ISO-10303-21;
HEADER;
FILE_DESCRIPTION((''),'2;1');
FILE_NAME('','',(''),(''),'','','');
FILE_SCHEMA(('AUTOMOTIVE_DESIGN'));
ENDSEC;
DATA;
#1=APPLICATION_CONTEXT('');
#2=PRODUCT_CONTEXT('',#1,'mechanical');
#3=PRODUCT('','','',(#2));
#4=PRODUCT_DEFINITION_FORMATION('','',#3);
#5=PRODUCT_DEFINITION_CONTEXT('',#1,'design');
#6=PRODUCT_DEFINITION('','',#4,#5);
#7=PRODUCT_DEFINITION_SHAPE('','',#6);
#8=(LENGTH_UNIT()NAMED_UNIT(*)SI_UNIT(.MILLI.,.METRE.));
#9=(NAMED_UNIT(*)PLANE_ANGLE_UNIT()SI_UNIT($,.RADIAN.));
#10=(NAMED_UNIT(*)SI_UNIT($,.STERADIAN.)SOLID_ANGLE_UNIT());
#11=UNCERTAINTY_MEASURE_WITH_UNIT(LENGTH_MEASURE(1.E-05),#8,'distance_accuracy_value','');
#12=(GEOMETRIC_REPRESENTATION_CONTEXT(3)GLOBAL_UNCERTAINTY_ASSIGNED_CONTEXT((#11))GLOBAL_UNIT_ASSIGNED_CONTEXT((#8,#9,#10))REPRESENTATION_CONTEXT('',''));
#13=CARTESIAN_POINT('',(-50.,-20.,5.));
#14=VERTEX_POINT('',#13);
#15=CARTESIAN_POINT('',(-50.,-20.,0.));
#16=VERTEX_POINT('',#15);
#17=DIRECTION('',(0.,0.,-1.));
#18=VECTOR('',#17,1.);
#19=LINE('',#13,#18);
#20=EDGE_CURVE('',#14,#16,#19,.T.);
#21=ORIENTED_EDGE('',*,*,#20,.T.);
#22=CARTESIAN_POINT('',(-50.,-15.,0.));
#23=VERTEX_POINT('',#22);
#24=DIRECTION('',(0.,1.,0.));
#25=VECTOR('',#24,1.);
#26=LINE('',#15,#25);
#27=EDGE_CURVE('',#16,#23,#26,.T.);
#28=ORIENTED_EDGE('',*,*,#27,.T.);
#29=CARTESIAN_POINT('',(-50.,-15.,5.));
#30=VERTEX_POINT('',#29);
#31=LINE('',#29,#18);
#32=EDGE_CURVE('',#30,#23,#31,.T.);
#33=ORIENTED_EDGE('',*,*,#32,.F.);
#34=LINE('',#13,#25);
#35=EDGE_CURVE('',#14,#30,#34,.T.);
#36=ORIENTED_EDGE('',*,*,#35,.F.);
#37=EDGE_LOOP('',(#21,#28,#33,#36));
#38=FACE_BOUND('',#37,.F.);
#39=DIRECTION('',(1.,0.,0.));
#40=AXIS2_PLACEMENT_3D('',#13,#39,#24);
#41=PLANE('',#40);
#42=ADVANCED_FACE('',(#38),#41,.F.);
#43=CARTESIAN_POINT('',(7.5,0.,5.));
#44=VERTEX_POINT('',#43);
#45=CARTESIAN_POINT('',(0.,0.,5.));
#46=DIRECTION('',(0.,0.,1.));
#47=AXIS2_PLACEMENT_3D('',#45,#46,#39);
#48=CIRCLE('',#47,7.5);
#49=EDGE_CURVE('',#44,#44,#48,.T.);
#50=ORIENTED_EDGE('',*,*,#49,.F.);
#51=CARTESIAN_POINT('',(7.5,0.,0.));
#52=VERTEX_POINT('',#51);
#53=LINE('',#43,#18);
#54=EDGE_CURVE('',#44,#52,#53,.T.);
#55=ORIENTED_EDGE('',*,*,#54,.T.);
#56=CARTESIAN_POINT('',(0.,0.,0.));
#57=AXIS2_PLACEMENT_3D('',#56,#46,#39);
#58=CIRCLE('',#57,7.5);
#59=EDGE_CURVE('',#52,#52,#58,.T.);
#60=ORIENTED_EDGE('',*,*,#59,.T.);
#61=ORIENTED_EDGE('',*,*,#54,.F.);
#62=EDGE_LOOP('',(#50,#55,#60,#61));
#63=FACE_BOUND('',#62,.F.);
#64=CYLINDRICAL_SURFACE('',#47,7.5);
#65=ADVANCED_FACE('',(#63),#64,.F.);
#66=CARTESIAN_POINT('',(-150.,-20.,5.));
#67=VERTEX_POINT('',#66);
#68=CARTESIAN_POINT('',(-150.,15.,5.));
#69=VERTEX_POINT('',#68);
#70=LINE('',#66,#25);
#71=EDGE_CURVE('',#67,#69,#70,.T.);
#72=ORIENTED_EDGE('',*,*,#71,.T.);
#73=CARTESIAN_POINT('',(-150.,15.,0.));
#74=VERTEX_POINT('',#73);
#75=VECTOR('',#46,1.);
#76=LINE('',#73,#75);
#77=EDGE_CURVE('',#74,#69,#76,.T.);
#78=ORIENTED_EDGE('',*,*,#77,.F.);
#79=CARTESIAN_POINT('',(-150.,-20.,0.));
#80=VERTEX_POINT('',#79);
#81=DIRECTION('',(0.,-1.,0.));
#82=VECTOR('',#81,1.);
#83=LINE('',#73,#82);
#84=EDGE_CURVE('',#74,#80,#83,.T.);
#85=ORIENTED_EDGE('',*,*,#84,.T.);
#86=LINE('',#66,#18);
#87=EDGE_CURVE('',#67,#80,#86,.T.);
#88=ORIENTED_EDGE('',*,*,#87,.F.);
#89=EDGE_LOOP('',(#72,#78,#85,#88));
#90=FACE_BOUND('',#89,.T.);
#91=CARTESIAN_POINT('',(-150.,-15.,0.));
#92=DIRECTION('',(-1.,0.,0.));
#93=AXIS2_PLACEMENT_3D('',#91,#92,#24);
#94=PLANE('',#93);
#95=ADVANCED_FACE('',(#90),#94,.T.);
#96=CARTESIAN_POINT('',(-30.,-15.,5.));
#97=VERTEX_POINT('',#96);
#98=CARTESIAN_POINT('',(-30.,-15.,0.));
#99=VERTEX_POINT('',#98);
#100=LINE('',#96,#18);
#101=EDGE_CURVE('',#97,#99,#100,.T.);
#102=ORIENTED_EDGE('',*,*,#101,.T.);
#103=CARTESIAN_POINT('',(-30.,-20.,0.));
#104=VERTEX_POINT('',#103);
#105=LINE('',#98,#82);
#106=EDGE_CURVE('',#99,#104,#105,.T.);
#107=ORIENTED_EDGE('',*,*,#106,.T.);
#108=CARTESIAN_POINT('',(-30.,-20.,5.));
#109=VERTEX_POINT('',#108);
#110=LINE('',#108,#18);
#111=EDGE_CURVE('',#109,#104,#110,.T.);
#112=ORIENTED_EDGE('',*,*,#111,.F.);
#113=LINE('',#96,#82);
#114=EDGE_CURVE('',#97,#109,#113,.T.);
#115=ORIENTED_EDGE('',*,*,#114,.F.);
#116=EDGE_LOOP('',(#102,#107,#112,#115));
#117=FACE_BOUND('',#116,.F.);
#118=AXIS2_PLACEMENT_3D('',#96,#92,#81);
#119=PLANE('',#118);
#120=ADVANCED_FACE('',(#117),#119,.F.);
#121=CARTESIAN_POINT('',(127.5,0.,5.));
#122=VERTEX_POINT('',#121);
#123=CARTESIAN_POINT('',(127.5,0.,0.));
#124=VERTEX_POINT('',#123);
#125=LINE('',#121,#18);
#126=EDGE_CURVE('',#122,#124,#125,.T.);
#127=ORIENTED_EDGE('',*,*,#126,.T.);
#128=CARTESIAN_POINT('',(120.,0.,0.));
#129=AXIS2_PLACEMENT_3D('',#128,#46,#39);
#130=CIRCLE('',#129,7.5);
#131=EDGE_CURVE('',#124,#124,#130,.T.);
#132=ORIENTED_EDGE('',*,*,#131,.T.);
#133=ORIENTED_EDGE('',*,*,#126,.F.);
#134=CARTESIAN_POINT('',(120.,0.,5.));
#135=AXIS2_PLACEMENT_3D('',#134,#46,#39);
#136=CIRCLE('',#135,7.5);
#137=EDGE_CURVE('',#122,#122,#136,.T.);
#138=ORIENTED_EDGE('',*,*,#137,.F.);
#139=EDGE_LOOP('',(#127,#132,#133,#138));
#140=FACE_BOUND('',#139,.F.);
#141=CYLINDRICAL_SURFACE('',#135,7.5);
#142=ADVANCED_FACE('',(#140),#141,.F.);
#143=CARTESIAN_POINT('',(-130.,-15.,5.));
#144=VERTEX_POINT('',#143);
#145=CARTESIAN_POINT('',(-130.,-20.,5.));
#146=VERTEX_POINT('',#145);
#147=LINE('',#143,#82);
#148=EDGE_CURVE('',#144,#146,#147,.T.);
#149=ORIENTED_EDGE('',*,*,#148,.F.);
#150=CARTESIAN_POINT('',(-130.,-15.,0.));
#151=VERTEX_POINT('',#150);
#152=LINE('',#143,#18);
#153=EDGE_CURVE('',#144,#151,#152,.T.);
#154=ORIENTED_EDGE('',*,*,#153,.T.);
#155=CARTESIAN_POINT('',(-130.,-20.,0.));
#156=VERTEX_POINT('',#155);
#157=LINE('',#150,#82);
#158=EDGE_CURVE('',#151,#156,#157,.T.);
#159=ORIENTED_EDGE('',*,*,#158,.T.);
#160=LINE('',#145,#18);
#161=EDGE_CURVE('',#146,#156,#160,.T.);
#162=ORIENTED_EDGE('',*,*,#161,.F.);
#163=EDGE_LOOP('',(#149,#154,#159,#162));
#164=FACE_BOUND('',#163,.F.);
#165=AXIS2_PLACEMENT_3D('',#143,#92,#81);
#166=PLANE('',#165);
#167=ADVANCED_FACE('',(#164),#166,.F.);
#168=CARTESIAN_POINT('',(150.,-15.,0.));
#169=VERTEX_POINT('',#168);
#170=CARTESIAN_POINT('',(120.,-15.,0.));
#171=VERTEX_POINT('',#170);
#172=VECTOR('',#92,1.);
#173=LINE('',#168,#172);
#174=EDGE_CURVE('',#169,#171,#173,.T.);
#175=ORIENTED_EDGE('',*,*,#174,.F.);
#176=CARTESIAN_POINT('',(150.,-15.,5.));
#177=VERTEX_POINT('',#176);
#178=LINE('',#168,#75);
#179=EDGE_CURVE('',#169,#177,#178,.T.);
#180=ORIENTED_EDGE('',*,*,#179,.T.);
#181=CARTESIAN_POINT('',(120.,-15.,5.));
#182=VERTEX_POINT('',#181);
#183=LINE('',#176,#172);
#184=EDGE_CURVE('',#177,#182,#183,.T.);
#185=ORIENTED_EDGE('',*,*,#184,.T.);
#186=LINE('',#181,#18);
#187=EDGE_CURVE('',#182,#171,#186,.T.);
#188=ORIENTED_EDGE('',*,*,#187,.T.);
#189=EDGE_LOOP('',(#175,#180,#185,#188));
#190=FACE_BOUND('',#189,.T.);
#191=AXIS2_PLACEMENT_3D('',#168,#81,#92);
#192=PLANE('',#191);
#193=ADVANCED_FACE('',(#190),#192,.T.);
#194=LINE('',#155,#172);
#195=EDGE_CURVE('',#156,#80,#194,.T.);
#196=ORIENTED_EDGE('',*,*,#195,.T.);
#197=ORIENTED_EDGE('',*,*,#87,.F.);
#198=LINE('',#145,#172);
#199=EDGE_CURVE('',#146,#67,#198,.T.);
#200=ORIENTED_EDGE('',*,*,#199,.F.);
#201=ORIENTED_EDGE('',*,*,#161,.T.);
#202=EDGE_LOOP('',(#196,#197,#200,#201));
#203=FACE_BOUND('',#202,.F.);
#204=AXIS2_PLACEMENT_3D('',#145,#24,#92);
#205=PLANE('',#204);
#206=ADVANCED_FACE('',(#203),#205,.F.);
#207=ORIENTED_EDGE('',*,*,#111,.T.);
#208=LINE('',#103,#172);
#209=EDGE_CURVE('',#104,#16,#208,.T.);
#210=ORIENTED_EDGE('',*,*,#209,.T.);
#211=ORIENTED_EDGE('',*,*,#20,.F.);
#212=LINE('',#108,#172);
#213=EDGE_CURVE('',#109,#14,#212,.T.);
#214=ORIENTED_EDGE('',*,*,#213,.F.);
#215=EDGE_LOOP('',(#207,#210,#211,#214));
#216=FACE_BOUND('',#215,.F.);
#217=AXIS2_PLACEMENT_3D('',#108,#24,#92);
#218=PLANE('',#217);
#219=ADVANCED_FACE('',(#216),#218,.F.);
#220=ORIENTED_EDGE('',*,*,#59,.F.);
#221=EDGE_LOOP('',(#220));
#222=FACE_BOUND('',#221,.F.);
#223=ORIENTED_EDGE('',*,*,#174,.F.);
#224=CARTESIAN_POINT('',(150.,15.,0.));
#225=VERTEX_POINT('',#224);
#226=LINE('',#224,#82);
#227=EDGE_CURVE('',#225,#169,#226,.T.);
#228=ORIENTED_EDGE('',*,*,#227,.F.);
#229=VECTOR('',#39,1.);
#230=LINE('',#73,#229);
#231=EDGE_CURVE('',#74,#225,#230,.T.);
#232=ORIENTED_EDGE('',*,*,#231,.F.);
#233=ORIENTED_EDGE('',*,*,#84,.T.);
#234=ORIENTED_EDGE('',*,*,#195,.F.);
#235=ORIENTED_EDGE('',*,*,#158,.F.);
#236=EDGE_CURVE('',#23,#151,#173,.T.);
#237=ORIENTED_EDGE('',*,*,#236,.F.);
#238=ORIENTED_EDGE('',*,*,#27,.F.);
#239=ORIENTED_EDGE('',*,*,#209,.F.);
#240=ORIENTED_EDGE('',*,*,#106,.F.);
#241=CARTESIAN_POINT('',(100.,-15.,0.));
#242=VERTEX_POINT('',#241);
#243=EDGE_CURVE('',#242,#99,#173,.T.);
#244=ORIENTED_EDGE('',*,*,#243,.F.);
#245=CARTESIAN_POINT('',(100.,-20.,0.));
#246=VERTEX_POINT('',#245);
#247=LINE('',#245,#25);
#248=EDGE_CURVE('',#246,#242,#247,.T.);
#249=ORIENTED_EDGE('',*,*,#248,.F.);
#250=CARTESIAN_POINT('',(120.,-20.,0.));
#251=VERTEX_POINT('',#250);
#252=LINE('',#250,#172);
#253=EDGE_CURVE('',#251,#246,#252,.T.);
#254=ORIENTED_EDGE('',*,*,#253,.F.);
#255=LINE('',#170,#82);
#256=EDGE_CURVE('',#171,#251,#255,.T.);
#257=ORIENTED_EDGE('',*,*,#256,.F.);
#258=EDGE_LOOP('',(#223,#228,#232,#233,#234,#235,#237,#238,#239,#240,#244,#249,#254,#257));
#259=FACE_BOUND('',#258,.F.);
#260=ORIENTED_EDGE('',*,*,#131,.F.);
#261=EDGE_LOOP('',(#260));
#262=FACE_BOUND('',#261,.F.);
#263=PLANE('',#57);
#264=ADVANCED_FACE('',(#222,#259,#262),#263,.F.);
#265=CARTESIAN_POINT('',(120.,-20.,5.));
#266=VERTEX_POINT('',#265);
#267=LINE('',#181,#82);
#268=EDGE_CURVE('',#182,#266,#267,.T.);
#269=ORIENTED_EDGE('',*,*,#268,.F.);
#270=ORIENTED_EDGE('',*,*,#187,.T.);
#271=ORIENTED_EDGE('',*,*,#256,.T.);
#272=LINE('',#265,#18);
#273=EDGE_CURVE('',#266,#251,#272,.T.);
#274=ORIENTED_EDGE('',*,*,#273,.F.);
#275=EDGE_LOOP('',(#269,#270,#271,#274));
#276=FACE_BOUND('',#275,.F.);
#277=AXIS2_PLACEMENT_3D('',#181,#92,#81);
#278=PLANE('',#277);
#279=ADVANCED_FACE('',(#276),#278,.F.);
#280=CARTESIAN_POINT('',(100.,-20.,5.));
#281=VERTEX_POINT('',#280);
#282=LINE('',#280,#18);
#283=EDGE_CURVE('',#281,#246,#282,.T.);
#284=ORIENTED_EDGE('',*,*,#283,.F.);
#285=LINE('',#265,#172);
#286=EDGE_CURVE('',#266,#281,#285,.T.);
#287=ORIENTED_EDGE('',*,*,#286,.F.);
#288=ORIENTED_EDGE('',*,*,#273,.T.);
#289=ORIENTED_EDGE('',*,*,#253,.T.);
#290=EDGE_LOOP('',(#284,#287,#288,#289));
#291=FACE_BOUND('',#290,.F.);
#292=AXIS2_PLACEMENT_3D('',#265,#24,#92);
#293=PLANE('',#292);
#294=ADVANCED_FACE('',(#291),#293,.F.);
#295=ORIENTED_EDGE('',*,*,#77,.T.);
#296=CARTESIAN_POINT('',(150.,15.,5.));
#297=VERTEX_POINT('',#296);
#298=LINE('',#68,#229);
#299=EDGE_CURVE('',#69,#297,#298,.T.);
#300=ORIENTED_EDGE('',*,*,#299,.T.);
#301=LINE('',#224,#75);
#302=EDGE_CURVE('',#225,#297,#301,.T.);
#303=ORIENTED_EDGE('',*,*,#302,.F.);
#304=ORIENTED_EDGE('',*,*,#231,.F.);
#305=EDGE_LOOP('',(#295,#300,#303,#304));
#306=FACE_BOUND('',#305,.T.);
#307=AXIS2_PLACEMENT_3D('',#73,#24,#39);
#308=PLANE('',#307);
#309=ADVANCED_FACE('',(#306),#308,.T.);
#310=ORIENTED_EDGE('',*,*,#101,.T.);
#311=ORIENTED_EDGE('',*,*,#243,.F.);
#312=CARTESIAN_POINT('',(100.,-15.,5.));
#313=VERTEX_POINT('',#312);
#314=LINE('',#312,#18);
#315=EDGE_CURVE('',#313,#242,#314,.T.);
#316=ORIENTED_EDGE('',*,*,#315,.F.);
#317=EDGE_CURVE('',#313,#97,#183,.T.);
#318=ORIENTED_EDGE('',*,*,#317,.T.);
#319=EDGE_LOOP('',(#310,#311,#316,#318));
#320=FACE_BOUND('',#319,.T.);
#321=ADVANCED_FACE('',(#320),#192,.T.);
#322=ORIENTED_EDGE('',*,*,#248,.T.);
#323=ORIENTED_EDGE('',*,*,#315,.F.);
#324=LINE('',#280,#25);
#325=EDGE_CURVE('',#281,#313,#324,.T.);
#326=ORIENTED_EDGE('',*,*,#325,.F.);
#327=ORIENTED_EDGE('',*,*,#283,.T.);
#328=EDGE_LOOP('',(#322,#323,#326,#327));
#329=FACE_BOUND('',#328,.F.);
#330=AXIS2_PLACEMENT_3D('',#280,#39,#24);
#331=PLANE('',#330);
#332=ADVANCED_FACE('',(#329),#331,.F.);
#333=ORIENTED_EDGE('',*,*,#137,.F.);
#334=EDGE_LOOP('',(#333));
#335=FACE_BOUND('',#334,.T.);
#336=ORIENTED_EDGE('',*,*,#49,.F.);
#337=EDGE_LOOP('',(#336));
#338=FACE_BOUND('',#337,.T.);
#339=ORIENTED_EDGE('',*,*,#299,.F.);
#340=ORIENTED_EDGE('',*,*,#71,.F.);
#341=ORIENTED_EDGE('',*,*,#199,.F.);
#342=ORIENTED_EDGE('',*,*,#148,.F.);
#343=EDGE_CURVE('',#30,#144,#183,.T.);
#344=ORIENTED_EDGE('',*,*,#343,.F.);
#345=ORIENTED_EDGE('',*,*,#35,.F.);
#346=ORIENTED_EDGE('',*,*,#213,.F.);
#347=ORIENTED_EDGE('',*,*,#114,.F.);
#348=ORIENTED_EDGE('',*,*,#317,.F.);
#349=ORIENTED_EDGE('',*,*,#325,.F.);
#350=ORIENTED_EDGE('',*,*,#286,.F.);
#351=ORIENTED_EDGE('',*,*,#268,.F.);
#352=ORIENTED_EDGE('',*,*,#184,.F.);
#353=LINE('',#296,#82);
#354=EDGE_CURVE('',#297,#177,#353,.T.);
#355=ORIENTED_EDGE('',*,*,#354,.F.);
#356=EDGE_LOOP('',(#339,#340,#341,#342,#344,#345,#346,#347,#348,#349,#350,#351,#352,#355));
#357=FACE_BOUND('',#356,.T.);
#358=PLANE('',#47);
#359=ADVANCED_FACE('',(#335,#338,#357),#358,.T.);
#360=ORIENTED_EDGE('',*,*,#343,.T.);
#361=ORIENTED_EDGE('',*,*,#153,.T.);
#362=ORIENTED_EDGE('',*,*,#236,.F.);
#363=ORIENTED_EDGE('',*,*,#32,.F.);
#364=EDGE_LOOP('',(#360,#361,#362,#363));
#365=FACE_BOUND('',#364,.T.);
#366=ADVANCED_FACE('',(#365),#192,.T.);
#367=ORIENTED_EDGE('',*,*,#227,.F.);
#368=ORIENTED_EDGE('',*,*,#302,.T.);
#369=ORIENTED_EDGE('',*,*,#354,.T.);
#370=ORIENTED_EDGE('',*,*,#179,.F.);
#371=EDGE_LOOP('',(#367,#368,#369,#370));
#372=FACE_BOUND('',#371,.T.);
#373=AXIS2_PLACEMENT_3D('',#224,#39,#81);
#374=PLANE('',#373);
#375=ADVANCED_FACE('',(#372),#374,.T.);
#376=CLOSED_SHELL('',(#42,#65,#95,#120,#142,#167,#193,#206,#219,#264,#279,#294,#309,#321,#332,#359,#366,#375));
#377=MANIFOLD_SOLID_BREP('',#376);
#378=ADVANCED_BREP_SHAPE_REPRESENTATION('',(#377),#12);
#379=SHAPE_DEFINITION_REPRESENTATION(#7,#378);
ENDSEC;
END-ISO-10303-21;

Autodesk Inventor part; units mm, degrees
ref_plane "YZ Plane" through (0, 0, 0) normal (1, 0, 0) x (0, 1, 0)
ref_plane "XZ Plane" through (0, 0, 0) normal (0, 1, 0) x (-1, 0, 0)
ref_plane "XY Plane" through (0, 0, 0) normal (0, 0, 1) x (1, 0, 0)
sketch "Sketch1" plane through (0, 0, 0) normal (0, 0, 1) x (1, 0, 0)
  line L0 (-150, 15) -> (150, 15)
  line L1 (150, 15) -> (150, -15)
  line L2 (150, -15) -> (-150, -15)
  line L3 (-150, -15) -> (-150, 15)
  line L4 (-150, 15) -> (150, -15) construction
  line L5 (150, 15) -> (-150, -15) construction
  point P0 (0, 0)
  dimension "d0" = 300
  dimension "d1" = 30
extrude "Base" add sketch "Sketch1" along normal blind 5
sketch "Sketch2" plane through (0, 0, 5) normal (0, 0, 1) x (1, 0, 0)
  line L0 (-150, -15) -> (150, -15) projected
  line L1 (-150, -15) -> (-130, -15)
  line L2 (-130, -15) -> (-130, -20)
  line L3 (-130, -20) -> (-150, -20)
  line L4 (-150, -20) -> (-150, -15)
  line L5 (-100, -15) -> (-80, -15)
  line L6 (-80, -15) -> (-80, -20)
  line L7 (-80, -20) -> (-100, -20)
  line L8 (-100, -20) -> (-100, -15)
  line L9 (-50, -15) -> (-30, -15)
  line L10 (-30, -15) -> (-30, -20)
  line L11 (-30, -20) -> (-50, -20)
  line L12 (-50, -20) -> (-50, -15)
  line L13 (0, -15) -> (20, -15)
  line L14 (20, -15) -> (20, -20)
  line L15 (20, -20) -> (0, -20)
  line L16 (0, -20) -> (0, -15)
  line L17 (50, -15) -> (70, -15)
  line L18 (70, -15) -> (70, -20)
  line L19 (70, -20) -> (50, -20)
  line L20 (50, -20) -> (50, -15)
  line L21 (100, -15) -> (120, -15)
  line L22 (120, -15) -> (120, -20)
  line L23 (120, -20) -> (100, -20)
  line L24 (100, -20) -> (100, -15)
  point P0 (0, 0)
  point P1 (20, -15)
  point P2 (0, -15)
  point P3 (-30, -15)
  point P4 (-50, -15)
  point P5 (-130, -15)
  point P6 (70, -15)
  point P7 (50, -15)
  point P8 (-80, -15)
  point P9 (-100, -15)
  point P10 (120, -15)
  point P11 (100, -15)
  dimension "d4" = 20
  dimension "d5" = 5
  dimension "d8" = 50
extrude "Encaixe" add sketch "Sketch2" against normal blind 5 contours L0 L22 L23 L24 | L0 L10 L11 L12 | L0 L2 L3 L4
sketch "Sketch3" plane through (0, 0, 5) normal (0, 0, 1) x (1, 0, 0)
  circle A0 centre (120, 0) radius 7.5
  circle A1 centre (0, 0) radius 7.5
  line L0 (150, -15) -> (150, 15) projected
  dimension "d16" = 15
  dimension "d17" = 15
  dimension "d20" = 30
extrude "Extrusion3" cut sketch "Sketch3" against normal blind 10
properties part number "Divisória-30cm c rolamento"
